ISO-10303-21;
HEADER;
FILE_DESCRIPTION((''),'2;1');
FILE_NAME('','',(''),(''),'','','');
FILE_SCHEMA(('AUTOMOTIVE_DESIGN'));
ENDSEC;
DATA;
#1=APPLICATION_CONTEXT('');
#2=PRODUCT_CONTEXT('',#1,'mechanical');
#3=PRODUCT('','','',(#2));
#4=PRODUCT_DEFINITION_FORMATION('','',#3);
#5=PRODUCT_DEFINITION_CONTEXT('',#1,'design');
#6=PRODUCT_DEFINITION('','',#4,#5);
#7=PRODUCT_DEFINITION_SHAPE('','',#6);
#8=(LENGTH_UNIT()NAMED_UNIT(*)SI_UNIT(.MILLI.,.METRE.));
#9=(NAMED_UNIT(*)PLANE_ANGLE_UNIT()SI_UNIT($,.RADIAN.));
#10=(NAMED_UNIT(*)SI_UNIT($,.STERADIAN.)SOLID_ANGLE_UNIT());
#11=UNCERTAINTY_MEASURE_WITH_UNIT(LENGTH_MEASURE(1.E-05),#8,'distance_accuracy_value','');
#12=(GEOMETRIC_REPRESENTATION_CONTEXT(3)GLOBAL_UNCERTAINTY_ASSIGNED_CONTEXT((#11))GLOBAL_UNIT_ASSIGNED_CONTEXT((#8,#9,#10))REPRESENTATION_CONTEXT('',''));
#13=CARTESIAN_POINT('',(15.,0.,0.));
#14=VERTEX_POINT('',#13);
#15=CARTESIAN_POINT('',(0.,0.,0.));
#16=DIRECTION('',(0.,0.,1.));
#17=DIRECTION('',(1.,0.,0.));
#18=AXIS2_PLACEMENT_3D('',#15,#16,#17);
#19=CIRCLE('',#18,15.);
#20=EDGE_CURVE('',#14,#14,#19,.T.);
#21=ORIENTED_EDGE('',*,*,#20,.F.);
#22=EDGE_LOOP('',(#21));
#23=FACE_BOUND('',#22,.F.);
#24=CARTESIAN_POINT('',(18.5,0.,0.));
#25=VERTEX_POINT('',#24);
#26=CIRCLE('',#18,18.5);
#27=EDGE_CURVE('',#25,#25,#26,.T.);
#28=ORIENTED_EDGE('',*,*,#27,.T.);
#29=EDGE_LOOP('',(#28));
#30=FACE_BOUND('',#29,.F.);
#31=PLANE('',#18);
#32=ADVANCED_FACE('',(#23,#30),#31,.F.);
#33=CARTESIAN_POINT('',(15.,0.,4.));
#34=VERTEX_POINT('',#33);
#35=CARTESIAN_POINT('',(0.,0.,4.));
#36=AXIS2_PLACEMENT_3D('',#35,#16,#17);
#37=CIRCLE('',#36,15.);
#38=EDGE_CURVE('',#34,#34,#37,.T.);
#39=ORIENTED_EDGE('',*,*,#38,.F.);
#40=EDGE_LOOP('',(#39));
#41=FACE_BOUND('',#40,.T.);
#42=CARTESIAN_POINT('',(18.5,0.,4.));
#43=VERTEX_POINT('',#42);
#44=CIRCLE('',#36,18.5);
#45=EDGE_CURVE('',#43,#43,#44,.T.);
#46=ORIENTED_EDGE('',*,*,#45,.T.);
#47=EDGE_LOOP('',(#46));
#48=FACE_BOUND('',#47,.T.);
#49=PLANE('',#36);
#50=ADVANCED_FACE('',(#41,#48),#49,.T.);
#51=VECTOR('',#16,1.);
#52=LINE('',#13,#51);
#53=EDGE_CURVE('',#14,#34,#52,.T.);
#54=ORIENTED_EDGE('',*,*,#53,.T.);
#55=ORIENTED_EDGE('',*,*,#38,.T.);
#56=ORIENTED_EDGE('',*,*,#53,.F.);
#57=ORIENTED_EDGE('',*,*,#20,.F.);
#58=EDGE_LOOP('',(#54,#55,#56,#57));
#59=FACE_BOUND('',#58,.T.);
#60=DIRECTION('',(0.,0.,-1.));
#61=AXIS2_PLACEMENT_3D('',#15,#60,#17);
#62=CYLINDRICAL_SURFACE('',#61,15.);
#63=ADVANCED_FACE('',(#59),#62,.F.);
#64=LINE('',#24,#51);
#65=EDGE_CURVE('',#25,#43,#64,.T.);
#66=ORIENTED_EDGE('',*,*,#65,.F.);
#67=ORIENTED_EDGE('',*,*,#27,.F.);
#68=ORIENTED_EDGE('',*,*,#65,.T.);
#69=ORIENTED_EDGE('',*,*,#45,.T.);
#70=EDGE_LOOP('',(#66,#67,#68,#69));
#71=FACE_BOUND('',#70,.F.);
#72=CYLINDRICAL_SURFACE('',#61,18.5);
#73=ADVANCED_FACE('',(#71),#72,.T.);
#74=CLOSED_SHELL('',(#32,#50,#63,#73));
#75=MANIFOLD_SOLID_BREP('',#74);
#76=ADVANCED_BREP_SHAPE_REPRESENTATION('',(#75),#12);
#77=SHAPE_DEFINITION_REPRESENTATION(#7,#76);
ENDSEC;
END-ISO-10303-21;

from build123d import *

# Parameters (mm, degrees)
SKETCH_R   = 18.5
SKETCH_R_2 = 15
PAD_DEPTH  = 4


with BuildPart() as part:
    # Sketch → Pad (new body)
    with BuildSketch(Plane.XY):
        Circle(SKETCH_R)
        Circle(SKETCH_R_2, mode=Mode.SUBTRACT)
    extrude(amount=PAD_DEPTH)


solid = part.part
